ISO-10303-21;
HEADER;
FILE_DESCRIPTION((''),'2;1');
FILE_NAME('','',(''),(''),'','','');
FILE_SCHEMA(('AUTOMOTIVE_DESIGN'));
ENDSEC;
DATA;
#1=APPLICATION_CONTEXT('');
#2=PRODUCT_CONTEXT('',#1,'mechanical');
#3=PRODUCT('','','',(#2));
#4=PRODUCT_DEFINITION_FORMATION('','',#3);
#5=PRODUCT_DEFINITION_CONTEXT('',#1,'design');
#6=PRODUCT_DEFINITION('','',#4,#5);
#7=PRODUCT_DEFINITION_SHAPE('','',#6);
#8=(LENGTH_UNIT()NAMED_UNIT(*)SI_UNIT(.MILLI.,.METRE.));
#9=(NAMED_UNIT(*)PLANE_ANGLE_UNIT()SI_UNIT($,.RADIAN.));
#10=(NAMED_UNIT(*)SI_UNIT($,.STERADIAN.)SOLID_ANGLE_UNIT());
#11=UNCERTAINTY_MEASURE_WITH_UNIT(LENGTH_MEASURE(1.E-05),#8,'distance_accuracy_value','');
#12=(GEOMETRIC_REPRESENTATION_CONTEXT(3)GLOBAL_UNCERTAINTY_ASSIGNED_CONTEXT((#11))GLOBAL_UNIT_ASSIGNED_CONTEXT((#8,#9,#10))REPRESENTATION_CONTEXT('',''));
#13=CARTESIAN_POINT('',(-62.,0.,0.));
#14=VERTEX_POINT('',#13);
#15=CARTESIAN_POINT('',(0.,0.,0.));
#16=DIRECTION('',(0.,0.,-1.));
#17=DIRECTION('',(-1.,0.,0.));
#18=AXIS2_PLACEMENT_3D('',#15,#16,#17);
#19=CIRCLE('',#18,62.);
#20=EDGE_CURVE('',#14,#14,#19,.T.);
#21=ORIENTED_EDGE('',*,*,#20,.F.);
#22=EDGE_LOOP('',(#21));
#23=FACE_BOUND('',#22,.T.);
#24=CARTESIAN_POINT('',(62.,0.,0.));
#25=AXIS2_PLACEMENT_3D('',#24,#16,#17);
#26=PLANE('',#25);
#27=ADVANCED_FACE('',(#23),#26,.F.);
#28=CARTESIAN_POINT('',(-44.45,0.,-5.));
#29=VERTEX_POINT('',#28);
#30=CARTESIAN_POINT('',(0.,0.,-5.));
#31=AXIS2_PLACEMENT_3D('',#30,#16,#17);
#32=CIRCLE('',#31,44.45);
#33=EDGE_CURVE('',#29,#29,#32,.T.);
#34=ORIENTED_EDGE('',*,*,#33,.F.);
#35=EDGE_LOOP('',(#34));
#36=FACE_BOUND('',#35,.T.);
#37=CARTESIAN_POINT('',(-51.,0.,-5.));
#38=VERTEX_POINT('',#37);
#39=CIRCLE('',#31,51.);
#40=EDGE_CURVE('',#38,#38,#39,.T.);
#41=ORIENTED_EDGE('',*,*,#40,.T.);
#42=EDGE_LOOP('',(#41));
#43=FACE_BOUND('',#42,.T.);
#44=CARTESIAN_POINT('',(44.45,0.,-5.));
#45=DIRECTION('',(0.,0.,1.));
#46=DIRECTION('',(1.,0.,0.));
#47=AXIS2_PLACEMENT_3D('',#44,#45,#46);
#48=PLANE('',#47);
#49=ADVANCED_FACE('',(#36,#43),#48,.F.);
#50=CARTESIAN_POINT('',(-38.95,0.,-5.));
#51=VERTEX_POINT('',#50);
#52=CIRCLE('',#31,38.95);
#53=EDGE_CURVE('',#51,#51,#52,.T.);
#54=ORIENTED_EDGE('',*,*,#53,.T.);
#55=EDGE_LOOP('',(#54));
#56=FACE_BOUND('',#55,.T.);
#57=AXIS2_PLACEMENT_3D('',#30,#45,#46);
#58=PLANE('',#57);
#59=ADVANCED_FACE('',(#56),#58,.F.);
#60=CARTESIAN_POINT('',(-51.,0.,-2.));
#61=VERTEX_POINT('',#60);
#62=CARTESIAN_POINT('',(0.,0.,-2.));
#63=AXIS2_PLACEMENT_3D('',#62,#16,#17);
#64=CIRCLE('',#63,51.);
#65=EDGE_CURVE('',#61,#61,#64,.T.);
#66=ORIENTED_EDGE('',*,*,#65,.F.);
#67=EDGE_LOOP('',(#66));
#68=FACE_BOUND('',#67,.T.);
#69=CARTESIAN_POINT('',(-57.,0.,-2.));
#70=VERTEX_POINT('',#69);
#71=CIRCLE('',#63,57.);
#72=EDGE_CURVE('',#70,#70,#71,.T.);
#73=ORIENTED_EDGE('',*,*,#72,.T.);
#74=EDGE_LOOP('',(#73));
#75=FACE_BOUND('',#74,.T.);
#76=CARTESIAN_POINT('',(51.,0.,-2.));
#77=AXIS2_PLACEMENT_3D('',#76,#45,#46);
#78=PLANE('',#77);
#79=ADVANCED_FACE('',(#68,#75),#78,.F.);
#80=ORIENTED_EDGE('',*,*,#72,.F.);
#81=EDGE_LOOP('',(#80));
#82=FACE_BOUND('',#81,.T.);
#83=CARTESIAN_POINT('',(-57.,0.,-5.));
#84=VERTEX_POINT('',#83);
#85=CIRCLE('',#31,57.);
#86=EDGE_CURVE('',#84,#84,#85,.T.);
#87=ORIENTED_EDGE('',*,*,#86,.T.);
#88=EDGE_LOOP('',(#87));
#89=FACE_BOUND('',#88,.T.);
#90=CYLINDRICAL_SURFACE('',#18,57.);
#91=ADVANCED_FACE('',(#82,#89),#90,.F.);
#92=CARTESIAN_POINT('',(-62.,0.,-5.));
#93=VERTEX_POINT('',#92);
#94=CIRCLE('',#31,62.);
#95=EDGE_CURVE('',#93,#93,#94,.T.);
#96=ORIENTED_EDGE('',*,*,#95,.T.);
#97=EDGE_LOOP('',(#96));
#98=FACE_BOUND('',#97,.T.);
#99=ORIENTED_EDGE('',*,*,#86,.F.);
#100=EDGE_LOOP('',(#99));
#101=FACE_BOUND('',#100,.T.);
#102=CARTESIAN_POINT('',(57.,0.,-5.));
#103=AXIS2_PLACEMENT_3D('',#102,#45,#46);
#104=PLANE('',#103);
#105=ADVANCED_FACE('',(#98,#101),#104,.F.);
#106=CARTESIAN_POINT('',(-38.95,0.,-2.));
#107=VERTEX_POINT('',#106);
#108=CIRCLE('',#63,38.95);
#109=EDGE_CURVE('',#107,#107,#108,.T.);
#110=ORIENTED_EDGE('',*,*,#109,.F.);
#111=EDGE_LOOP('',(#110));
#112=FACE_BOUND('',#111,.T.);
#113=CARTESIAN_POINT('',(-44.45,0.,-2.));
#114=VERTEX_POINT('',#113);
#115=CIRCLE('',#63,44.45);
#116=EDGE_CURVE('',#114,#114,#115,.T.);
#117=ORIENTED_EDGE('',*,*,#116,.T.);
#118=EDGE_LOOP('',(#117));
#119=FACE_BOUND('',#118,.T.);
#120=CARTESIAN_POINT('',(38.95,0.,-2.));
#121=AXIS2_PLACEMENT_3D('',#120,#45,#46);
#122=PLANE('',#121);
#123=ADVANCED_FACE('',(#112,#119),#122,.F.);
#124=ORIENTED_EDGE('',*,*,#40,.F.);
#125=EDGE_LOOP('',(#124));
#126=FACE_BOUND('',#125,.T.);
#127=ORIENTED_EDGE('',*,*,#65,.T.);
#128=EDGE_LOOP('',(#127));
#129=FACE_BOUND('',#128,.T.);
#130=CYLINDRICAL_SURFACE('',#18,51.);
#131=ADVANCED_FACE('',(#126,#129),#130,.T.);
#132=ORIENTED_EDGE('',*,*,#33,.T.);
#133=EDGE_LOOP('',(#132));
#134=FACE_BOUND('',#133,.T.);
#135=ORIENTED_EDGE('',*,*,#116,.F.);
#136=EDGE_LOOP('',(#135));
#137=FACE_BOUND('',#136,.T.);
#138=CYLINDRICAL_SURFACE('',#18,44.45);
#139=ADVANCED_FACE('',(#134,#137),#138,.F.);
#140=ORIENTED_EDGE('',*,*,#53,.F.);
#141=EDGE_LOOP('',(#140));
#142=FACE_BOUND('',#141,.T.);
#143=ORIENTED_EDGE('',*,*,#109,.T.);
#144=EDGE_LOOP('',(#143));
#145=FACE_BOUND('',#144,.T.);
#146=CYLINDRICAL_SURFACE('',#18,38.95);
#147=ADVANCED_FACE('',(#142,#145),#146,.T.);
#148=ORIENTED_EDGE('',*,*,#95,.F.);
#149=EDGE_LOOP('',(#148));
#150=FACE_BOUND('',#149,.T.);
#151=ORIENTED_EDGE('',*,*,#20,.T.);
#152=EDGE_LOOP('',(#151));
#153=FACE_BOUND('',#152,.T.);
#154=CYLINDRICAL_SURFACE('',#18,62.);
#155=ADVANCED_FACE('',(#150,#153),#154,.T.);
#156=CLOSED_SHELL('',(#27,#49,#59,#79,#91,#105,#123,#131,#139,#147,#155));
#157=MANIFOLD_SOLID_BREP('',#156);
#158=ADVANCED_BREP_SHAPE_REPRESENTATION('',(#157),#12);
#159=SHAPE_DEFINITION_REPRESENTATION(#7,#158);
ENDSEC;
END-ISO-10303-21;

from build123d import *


with BuildPart() as part:
    # Sketch2 → Revolve1 (revolve)
    with BuildSketch(Plane(origin=(0, 0, 0), x_dir=(1, 0, 0), z_dir=(0, 1, 0)), mode=Mode.PRIVATE) as revolve1_sk:
        Polygon((0, 0), (0, 5), (38.95, 5), (38.95, 2), (44.45, 2), (44.45, 5), (51, 5), (51, 2), (57, 2), (57, 5), (62, 5), (62, 0), align=None)
    revolve(revolve1_sk.sketch.rotate(Axis((0, 0, 0), (0, 0, 1)), 180), axis=Axis((0, 0, 0), (0, 0, 1)))


solid = part.part
